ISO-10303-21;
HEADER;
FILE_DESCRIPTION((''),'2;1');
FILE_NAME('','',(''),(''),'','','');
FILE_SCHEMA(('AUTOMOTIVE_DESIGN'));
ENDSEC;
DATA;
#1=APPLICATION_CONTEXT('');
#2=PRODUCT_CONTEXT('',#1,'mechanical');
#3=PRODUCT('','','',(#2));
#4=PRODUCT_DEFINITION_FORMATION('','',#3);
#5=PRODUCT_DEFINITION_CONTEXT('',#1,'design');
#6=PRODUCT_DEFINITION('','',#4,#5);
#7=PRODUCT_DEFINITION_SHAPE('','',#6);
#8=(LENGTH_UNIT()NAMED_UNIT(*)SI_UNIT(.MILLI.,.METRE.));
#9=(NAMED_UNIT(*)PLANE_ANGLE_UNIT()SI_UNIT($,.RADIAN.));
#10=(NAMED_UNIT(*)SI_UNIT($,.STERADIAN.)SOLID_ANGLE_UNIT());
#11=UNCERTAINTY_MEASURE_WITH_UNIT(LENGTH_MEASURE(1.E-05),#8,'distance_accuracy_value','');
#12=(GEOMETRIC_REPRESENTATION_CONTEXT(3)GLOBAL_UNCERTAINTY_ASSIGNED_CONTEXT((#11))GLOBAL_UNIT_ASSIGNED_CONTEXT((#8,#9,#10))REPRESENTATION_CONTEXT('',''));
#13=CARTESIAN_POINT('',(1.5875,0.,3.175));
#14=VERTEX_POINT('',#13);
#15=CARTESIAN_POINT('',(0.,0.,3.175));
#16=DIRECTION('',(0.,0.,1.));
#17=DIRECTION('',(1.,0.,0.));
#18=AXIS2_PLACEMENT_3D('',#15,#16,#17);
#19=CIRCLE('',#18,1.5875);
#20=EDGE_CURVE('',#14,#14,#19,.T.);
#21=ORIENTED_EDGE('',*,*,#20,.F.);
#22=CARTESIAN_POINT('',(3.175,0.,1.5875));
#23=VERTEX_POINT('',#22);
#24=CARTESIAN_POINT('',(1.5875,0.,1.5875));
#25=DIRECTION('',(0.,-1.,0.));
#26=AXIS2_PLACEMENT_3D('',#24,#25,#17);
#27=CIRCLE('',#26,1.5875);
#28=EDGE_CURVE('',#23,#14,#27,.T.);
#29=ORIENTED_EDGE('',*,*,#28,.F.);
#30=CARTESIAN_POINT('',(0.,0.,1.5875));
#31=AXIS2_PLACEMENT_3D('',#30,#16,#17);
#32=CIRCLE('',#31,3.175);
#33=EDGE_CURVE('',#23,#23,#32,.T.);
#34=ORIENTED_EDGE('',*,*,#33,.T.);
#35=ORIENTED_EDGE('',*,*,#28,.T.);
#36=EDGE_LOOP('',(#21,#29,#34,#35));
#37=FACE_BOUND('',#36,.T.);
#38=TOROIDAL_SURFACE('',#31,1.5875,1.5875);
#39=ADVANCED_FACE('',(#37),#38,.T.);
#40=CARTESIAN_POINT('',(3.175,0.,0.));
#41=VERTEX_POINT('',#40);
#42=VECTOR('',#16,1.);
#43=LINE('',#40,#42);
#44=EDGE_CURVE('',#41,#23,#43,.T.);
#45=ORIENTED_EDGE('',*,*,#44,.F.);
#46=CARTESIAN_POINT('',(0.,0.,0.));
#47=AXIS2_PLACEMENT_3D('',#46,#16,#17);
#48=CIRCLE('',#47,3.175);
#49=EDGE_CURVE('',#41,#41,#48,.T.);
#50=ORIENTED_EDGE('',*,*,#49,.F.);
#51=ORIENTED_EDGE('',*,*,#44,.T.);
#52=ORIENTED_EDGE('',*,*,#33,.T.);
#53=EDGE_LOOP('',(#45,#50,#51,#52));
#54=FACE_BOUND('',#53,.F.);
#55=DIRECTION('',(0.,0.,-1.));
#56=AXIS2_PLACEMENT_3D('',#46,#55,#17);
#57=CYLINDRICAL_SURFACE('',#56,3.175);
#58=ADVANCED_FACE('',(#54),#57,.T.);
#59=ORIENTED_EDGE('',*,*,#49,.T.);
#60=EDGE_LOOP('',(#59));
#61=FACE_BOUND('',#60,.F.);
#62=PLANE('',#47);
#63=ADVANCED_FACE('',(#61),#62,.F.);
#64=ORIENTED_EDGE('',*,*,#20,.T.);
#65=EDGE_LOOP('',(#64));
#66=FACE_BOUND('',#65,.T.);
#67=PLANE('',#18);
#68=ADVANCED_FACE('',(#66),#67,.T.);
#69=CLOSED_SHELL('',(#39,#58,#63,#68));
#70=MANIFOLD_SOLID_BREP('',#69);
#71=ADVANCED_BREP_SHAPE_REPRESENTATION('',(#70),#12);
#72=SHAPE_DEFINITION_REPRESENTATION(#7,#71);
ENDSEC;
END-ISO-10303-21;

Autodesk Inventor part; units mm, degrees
ref_plane "YZ Plane" through (0, 0, 0) normal (1, 0, 0) x (0, 1, 0)
ref_plane "XZ Plane" through (0, 0, 0) normal (0, 1, 0) x (-1, 0, 0)
ref_plane "XY Plane" through (0, 0, 0) normal (0, 0, 1) x (1, 0, 0)
sketch "Sketch1" plane through (0, 0, 0) normal (0, 0, 1) x (1, 0, 0)
  circle A0 centre (0, 0) radius 3.175
  dimension "d0" = 6.35
extrude "Extrusion1" add sketch "Sketch1" along normal blind 3.175
fillet "Fillet1" radius 1.5875 1 edges at (-3.175, 0, 3.175)
properties part number "minion-iris"
